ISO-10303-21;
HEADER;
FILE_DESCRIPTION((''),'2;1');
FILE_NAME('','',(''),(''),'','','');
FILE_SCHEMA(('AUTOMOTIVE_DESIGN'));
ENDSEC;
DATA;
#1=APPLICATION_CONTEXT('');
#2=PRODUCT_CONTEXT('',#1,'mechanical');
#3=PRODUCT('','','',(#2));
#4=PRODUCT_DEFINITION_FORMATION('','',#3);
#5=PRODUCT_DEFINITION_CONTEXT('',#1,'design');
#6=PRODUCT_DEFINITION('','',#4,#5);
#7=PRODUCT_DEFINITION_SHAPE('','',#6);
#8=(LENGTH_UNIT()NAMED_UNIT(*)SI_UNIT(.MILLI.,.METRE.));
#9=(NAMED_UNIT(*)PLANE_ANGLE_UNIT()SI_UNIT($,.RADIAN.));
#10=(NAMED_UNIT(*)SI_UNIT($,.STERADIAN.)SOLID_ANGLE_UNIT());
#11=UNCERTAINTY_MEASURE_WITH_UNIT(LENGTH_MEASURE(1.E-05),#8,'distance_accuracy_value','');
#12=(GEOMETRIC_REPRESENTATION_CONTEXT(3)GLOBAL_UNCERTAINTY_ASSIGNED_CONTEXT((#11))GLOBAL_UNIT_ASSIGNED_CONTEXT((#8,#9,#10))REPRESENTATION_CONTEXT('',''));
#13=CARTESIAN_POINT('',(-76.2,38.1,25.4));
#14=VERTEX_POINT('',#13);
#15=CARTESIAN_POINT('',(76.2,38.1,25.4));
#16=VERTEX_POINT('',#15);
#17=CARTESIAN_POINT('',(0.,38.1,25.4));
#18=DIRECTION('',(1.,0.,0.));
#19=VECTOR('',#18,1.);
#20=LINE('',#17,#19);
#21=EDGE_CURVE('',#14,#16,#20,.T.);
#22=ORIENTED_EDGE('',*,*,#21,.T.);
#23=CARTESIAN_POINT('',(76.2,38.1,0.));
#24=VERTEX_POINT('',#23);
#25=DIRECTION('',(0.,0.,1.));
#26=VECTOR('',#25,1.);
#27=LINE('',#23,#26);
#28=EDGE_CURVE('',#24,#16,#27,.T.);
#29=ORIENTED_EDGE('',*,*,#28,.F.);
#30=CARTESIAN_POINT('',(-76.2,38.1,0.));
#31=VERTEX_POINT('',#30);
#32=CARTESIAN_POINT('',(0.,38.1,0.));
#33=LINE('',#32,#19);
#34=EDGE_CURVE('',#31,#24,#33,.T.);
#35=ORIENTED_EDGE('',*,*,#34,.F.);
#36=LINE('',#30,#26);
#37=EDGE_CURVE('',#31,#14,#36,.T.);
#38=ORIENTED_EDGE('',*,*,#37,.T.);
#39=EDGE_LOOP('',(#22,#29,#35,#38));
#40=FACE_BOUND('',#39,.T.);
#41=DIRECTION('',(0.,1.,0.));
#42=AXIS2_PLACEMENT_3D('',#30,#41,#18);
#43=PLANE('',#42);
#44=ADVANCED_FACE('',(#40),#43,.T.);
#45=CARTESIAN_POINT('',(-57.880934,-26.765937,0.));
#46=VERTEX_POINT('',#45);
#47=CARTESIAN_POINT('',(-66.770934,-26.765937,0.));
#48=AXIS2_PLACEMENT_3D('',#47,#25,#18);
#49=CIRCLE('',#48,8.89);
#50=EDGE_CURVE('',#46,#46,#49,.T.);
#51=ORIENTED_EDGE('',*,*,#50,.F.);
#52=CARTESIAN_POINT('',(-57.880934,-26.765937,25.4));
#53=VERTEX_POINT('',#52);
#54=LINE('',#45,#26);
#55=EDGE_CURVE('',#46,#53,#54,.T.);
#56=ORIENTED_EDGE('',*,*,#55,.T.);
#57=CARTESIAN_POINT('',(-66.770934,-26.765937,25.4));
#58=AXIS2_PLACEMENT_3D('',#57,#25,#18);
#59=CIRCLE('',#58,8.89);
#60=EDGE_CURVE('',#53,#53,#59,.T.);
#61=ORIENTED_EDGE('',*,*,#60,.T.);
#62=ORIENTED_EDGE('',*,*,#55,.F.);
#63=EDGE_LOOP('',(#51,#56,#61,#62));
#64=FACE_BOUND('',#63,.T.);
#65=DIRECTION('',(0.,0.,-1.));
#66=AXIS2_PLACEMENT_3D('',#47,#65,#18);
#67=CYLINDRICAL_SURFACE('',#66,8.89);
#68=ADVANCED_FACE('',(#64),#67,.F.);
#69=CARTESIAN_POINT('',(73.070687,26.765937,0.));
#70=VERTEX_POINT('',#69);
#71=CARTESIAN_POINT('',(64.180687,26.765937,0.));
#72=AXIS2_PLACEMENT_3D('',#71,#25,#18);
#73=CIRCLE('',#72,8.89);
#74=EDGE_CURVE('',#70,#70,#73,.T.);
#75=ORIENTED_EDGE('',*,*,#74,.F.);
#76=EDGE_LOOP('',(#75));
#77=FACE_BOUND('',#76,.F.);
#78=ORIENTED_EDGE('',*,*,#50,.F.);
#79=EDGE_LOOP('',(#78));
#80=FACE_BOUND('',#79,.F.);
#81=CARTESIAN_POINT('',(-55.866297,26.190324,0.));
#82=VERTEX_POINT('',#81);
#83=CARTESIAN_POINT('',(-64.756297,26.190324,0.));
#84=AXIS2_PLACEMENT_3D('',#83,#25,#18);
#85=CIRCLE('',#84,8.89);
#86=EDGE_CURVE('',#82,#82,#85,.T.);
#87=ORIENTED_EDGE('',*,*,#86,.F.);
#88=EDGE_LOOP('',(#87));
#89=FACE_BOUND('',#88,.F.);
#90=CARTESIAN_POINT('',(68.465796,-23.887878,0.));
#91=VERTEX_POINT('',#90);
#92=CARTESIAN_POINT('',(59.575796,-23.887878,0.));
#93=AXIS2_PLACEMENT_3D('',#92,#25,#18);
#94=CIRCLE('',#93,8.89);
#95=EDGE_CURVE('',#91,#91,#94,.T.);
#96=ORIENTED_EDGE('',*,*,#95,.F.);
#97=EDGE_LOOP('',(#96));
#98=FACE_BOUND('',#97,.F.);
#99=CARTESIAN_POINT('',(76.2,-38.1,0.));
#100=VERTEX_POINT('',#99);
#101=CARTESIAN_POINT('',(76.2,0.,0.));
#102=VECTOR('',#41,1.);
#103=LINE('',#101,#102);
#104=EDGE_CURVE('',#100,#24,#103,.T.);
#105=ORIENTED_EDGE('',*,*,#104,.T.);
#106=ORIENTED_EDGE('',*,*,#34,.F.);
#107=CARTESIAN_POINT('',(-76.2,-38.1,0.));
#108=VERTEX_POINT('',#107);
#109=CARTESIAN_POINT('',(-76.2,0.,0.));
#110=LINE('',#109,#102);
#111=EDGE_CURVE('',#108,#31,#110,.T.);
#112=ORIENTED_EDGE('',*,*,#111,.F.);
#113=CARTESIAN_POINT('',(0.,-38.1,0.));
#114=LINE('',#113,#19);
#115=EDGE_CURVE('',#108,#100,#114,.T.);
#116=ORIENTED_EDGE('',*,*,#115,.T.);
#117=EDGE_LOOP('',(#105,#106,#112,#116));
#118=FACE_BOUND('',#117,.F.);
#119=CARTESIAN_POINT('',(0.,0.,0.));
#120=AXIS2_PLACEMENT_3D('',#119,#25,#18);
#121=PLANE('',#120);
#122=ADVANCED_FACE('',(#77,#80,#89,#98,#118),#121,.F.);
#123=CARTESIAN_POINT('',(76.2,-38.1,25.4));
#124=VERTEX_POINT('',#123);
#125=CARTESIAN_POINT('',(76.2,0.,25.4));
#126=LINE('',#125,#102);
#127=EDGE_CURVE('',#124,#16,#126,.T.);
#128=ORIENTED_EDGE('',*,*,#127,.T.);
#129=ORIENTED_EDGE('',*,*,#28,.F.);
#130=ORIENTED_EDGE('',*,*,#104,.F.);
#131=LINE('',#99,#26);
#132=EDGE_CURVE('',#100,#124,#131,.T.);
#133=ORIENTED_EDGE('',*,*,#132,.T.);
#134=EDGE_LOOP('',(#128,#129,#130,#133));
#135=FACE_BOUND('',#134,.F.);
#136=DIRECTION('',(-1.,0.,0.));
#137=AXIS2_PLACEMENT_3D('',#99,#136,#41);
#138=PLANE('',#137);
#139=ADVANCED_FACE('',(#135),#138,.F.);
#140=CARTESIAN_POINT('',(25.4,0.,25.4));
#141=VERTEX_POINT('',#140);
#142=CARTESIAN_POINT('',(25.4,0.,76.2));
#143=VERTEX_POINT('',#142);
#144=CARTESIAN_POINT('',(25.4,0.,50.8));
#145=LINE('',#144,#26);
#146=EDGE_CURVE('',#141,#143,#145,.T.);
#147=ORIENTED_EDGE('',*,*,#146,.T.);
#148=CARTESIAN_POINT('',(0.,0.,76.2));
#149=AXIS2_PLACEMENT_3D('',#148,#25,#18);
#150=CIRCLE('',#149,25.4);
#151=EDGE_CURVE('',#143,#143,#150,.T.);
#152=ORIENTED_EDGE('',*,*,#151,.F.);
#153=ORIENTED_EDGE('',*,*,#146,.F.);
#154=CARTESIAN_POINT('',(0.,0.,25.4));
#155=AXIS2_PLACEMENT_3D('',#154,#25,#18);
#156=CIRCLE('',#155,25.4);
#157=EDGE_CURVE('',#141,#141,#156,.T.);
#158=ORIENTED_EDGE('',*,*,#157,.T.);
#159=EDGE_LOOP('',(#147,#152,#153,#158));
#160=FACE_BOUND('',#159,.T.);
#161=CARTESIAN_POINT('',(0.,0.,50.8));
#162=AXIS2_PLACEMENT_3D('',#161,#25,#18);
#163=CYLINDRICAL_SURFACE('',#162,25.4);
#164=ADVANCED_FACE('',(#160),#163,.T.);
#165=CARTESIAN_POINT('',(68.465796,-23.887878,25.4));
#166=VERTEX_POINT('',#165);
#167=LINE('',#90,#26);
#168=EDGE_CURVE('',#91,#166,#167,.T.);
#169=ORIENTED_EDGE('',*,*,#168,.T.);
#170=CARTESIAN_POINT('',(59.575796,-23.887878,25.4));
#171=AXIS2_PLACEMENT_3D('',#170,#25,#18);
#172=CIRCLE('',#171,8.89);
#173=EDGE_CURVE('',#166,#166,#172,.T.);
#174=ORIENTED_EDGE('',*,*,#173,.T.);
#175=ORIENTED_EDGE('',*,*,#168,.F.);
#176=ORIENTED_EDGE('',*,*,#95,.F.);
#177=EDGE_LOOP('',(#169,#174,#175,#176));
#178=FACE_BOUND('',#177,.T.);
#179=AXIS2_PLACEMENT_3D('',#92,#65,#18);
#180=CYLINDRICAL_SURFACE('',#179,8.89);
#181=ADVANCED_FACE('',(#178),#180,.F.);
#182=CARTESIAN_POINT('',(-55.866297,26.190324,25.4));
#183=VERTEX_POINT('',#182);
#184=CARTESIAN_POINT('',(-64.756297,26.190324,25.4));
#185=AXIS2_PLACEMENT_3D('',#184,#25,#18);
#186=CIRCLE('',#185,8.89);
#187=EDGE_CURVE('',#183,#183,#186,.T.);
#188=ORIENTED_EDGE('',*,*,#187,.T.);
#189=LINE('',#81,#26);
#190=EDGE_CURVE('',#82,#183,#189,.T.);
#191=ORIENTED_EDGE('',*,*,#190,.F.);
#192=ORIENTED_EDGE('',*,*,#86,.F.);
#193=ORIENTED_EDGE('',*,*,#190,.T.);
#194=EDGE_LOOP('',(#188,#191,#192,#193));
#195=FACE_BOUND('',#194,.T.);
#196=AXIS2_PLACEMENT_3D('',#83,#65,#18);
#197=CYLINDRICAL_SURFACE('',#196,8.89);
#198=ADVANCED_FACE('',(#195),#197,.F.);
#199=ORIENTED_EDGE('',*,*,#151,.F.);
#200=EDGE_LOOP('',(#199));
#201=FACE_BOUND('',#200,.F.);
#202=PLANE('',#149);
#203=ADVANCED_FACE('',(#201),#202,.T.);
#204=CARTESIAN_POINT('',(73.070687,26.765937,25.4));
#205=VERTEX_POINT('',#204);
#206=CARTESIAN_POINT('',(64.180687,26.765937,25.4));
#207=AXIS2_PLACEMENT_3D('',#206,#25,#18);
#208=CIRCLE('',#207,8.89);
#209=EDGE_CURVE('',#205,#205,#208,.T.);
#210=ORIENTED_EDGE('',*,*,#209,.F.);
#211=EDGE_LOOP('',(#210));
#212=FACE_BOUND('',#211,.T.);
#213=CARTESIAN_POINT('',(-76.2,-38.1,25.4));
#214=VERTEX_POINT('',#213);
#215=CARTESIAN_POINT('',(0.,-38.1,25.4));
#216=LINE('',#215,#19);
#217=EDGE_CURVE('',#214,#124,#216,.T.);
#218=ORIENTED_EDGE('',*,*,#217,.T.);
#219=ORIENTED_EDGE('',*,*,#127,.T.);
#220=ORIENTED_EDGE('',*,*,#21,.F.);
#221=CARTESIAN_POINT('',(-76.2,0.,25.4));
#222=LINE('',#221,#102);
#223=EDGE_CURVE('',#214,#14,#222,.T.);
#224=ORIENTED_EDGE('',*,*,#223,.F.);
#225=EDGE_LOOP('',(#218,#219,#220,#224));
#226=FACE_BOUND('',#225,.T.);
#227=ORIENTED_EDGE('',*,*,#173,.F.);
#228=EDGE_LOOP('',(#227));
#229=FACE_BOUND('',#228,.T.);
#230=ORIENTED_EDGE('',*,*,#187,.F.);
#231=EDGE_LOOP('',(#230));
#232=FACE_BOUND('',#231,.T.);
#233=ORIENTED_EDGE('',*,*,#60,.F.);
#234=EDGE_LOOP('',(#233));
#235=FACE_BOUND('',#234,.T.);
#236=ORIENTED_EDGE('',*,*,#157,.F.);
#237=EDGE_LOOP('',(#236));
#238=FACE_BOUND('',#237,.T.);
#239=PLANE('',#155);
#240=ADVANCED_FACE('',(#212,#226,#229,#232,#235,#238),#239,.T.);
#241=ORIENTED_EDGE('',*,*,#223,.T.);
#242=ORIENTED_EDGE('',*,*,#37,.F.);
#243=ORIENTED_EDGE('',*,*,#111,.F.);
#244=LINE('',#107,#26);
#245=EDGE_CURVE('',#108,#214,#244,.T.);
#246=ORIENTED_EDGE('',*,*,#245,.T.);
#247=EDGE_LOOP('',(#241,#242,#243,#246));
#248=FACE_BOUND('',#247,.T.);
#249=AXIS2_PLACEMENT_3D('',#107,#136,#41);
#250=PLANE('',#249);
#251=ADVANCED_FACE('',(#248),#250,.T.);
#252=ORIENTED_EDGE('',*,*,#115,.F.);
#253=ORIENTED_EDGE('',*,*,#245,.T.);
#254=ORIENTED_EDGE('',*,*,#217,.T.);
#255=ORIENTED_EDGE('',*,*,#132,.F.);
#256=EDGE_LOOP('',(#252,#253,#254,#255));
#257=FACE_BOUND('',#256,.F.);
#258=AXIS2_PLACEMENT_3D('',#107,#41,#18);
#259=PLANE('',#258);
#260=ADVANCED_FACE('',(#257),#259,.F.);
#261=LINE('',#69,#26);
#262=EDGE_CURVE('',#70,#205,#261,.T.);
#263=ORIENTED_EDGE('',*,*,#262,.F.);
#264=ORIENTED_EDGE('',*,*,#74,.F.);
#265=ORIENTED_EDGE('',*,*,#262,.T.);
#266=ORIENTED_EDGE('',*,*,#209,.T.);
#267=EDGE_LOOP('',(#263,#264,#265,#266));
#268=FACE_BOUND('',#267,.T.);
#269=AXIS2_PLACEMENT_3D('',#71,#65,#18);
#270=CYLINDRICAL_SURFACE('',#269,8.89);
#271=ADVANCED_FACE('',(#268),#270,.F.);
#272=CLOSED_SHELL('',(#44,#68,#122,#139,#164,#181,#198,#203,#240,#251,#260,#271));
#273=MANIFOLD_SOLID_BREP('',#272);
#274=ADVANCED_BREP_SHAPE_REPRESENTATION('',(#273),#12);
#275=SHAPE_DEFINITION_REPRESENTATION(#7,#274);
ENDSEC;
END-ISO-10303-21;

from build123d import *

# Parameters (mm, degrees)
F0_W     = 152.4
F0_H     = 76.2
F0_R     = 8.89
F1_DEPTH = 25.4
F2_W     = 25.4
F2_H     = 50.8


with BuildPart() as f1:
    # F0 (on Top) → F1 (new body)
    with BuildSketch(Plane.XY):
        Rectangle(F0_W, F0_H)
        with Locations((-66.770934, -26.765937)):
            Circle(F0_R, mode=Mode.SUBTRACT)
        with Locations((59.575796, -23.887878)):
            Circle(F0_R, mode=Mode.SUBTRACT)
        with Locations((-64.756297, 26.190324)):
            Circle(F0_R, mode=Mode.SUBTRACT)
        with Locations((64.180687, 26.765937)):
            Circle(F0_R, mode=Mode.SUBTRACT)
    extrude(amount=F1_DEPTH)

    # F2 (on Front) → F3 (revolve)
    with BuildSketch(Plane.XZ):
        with Locations((12.7, 50.8)):
            Rectangle(F2_W, F2_H)
    revolve(axis=Axis((0, 0, 50.8), (0, 0, 1)))


solid = f1.part
